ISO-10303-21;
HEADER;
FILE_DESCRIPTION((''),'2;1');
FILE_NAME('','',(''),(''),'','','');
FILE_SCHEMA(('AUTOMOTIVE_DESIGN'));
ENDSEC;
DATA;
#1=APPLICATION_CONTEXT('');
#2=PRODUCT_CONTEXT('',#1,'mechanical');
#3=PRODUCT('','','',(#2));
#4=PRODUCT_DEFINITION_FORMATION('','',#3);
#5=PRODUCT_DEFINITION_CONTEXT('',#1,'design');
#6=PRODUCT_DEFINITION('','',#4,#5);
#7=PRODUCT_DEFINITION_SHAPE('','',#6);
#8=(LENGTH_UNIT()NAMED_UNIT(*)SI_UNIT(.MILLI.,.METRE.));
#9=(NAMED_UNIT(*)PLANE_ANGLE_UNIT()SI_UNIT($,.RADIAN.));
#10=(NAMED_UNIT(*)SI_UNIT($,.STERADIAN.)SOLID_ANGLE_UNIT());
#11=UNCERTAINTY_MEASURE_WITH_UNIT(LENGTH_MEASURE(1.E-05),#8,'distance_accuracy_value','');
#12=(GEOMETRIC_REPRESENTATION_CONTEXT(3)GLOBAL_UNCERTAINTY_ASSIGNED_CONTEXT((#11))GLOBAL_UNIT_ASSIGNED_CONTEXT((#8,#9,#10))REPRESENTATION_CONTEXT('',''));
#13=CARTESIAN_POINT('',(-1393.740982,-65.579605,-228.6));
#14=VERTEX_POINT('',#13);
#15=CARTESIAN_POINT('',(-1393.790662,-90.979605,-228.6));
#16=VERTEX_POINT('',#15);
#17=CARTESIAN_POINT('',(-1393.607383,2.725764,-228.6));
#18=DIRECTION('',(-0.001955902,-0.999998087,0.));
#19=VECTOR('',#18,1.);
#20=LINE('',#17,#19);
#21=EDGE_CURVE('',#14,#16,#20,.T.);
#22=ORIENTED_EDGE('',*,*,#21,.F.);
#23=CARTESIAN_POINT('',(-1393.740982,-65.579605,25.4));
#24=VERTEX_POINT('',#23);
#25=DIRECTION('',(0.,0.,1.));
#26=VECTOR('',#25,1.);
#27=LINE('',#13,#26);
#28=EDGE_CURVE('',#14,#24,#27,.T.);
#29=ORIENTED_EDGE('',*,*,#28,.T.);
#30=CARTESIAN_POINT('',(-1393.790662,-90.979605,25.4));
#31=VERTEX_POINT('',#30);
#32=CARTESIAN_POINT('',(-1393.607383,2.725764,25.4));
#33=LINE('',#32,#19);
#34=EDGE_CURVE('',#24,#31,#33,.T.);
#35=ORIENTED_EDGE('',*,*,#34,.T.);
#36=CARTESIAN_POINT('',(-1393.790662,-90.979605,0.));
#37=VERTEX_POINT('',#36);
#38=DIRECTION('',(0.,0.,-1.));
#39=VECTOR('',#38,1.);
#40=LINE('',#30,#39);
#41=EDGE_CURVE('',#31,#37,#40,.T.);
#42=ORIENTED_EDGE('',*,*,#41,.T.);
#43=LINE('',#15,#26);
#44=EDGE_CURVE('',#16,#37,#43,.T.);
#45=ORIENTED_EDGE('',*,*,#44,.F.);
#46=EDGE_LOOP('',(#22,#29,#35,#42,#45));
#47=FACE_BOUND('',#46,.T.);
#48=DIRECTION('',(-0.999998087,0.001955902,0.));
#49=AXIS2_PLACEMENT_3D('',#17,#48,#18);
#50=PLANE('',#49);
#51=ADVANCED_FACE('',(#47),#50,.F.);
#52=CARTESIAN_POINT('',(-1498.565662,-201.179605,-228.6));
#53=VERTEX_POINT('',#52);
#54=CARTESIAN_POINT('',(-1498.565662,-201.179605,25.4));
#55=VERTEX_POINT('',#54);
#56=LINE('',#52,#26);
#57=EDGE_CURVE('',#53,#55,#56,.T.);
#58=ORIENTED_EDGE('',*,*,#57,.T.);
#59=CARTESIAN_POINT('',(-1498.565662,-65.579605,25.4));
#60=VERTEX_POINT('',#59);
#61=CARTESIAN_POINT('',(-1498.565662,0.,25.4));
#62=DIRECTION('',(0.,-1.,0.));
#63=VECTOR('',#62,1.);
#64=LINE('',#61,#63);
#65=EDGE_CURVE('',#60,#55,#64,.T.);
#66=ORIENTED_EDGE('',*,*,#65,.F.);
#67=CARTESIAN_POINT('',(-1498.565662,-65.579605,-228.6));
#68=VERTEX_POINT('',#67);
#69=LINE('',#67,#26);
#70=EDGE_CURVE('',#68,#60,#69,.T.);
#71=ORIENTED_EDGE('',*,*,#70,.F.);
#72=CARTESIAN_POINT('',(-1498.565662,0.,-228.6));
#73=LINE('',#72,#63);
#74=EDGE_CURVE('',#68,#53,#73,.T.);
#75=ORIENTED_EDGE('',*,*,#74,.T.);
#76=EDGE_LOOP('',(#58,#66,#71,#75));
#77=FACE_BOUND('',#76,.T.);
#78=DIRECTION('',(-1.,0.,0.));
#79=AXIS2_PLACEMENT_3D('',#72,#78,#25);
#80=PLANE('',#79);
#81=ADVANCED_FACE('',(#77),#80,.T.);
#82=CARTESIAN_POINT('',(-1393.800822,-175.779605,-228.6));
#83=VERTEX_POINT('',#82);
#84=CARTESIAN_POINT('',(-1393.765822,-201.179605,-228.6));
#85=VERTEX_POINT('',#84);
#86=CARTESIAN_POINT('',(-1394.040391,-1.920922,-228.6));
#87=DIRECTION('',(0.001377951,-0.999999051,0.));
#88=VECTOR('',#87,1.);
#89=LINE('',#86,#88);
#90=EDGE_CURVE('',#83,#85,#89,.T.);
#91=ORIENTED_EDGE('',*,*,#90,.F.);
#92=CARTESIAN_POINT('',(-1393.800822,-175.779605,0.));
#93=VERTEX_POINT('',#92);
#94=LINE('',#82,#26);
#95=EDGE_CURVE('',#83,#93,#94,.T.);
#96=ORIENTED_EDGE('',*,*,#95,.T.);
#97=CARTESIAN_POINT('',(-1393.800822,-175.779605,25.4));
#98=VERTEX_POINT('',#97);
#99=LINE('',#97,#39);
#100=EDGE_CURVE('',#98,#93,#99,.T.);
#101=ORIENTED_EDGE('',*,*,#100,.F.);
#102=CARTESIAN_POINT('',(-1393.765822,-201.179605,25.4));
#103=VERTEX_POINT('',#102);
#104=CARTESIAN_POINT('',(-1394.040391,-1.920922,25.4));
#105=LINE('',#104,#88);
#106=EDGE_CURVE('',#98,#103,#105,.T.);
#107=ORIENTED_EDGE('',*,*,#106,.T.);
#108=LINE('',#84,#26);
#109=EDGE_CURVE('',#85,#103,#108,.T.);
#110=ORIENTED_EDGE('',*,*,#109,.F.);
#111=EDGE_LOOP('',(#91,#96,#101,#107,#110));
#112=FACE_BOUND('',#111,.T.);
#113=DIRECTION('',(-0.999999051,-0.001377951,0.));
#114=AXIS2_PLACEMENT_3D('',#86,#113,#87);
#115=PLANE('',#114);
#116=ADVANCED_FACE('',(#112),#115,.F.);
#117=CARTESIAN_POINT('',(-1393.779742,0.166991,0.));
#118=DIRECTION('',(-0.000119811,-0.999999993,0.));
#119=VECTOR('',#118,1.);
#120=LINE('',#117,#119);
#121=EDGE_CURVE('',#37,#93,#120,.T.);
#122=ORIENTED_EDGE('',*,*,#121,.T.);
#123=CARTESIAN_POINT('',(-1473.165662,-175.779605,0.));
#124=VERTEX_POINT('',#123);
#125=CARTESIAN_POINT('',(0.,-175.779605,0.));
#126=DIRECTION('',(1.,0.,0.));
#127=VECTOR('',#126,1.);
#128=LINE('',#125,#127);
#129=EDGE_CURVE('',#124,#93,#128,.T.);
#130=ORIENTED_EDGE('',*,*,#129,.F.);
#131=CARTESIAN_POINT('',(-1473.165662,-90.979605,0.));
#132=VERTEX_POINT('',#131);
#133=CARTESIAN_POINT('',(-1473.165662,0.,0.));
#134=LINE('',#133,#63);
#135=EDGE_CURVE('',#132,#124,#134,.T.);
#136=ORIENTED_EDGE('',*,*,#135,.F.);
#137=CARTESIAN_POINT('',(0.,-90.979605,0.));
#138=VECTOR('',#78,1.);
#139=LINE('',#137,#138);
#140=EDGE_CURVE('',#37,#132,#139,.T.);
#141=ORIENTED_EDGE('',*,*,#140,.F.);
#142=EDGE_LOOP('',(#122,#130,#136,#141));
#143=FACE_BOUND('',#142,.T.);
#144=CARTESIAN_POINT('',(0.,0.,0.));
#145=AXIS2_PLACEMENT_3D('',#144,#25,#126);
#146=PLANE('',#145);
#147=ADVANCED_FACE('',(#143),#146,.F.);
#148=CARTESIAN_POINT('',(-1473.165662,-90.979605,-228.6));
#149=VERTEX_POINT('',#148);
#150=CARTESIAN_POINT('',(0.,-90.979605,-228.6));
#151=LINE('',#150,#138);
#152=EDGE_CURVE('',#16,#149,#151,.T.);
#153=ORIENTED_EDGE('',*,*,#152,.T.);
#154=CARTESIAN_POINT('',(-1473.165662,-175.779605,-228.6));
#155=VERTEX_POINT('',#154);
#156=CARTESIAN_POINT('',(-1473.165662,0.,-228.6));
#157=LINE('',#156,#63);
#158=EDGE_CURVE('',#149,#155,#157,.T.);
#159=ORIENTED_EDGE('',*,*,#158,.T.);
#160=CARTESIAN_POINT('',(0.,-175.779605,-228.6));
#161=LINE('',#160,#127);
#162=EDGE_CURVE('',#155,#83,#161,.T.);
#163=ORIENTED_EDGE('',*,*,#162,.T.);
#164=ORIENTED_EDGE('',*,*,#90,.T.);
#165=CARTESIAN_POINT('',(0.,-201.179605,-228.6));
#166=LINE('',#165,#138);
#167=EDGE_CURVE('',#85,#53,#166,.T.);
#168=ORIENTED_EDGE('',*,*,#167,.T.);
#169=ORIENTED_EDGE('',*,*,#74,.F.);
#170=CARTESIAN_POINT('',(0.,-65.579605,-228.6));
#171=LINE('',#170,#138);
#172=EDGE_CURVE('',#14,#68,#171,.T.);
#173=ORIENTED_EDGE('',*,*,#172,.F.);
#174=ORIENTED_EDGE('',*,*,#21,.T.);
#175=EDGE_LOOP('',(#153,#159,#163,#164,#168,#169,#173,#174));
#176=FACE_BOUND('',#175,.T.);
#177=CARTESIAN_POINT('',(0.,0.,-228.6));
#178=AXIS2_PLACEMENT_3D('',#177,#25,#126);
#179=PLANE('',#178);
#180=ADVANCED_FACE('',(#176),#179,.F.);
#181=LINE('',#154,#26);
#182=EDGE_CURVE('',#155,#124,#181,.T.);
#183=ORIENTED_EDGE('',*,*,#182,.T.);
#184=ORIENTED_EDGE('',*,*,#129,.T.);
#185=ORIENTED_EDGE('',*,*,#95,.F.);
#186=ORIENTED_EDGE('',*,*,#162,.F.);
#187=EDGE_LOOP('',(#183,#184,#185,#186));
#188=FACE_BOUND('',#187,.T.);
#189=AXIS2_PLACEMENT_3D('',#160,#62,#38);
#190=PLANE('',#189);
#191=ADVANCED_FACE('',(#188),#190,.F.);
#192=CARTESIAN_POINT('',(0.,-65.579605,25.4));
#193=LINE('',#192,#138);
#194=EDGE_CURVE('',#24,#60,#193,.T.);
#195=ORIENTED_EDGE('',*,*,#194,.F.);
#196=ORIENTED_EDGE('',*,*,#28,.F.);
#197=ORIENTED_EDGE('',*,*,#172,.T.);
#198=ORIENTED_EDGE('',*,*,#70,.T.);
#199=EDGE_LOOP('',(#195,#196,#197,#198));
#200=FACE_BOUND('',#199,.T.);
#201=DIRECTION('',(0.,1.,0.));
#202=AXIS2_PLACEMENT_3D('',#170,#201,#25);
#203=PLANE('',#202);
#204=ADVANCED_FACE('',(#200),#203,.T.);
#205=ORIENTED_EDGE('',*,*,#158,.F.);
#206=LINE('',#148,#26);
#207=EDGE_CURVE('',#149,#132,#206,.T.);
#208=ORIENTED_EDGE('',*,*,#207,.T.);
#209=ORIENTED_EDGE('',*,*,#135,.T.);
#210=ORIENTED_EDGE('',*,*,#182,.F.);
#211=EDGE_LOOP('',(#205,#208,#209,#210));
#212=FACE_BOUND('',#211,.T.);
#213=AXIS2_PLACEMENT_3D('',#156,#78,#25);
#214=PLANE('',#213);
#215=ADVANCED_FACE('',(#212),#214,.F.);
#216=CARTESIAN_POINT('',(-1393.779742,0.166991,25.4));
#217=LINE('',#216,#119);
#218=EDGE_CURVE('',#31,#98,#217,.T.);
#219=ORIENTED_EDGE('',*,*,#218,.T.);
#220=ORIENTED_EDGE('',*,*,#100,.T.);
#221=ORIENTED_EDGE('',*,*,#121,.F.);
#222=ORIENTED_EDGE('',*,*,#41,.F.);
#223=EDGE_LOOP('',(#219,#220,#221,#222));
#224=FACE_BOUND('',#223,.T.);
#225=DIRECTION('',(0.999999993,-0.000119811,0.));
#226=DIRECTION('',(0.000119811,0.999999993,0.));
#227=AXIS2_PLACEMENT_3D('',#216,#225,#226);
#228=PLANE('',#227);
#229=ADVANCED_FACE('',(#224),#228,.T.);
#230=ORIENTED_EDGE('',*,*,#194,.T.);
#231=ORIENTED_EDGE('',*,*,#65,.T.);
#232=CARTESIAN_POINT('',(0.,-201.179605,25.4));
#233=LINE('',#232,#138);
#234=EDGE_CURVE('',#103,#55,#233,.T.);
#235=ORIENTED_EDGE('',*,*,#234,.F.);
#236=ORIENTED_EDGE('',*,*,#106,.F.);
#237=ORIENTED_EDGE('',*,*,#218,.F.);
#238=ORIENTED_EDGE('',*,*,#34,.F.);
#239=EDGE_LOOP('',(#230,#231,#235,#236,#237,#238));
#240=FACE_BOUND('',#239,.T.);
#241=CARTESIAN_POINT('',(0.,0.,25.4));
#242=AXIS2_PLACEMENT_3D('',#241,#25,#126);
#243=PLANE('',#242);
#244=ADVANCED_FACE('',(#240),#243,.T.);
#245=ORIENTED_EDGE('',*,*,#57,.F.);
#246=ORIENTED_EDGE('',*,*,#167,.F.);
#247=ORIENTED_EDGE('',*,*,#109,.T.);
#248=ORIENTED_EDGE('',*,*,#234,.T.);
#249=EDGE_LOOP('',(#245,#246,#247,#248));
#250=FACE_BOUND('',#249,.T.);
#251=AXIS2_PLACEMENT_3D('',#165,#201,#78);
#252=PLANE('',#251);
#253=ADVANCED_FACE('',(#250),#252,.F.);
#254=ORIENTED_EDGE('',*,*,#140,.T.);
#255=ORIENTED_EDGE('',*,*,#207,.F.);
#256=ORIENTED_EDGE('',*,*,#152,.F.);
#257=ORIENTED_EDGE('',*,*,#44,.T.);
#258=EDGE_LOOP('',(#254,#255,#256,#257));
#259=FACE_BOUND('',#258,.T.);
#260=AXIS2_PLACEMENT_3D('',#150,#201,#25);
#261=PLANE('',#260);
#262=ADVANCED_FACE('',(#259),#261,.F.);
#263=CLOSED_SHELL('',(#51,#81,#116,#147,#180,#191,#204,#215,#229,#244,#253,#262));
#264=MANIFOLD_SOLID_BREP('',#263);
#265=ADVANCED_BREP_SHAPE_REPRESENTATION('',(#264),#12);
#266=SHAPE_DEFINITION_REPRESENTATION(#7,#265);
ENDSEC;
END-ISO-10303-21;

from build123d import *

# Parameters (mm, degrees)
BOSS_EXTRUDE1_DEPTH      = 25.4
BOSS_EXTRUDE1_DEPTH_BACK = 228.6
BOSS_EXTRUDE2_DEPTH      = 25.4


with BuildPart() as part:
    # Sketch2 → Boss-Extrude1 (new, two sides: drawn at the far end of the back side and taken through both)
    with BuildSketch(Plane.XY.offset(-BOSS_EXTRUDE1_DEPTH_BACK)):
        Polygon((-1498.565662295, -201.179604763), (-1393.765822295, -201.179604763), (-1393.800822295, -175.779604763), (-1473.165662295, -175.779604763), (-1473.165662295, -90.979604763), (-1393.790662295, -90.979604763), (-1393.740982295, -65.579604763), (-1498.565662295, -65.579604763), align=None)
    extrude(amount=BOSS_EXTRUDE1_DEPTH + BOSS_EXTRUDE1_DEPTH_BACK)

    # Sketch2<3> → Boss-Extrude2 (add)
    with BuildSketch(Plane.XY):
        Polygon((-1473.165662295, -175.779604763), (-1393.800822295, -175.779604763), (-1393.790662295, -90.979604763), (-1473.165662295, -90.979604763), align=None)
    extrude(amount=BOSS_EXTRUDE2_DEPTH)


solid = part.part
